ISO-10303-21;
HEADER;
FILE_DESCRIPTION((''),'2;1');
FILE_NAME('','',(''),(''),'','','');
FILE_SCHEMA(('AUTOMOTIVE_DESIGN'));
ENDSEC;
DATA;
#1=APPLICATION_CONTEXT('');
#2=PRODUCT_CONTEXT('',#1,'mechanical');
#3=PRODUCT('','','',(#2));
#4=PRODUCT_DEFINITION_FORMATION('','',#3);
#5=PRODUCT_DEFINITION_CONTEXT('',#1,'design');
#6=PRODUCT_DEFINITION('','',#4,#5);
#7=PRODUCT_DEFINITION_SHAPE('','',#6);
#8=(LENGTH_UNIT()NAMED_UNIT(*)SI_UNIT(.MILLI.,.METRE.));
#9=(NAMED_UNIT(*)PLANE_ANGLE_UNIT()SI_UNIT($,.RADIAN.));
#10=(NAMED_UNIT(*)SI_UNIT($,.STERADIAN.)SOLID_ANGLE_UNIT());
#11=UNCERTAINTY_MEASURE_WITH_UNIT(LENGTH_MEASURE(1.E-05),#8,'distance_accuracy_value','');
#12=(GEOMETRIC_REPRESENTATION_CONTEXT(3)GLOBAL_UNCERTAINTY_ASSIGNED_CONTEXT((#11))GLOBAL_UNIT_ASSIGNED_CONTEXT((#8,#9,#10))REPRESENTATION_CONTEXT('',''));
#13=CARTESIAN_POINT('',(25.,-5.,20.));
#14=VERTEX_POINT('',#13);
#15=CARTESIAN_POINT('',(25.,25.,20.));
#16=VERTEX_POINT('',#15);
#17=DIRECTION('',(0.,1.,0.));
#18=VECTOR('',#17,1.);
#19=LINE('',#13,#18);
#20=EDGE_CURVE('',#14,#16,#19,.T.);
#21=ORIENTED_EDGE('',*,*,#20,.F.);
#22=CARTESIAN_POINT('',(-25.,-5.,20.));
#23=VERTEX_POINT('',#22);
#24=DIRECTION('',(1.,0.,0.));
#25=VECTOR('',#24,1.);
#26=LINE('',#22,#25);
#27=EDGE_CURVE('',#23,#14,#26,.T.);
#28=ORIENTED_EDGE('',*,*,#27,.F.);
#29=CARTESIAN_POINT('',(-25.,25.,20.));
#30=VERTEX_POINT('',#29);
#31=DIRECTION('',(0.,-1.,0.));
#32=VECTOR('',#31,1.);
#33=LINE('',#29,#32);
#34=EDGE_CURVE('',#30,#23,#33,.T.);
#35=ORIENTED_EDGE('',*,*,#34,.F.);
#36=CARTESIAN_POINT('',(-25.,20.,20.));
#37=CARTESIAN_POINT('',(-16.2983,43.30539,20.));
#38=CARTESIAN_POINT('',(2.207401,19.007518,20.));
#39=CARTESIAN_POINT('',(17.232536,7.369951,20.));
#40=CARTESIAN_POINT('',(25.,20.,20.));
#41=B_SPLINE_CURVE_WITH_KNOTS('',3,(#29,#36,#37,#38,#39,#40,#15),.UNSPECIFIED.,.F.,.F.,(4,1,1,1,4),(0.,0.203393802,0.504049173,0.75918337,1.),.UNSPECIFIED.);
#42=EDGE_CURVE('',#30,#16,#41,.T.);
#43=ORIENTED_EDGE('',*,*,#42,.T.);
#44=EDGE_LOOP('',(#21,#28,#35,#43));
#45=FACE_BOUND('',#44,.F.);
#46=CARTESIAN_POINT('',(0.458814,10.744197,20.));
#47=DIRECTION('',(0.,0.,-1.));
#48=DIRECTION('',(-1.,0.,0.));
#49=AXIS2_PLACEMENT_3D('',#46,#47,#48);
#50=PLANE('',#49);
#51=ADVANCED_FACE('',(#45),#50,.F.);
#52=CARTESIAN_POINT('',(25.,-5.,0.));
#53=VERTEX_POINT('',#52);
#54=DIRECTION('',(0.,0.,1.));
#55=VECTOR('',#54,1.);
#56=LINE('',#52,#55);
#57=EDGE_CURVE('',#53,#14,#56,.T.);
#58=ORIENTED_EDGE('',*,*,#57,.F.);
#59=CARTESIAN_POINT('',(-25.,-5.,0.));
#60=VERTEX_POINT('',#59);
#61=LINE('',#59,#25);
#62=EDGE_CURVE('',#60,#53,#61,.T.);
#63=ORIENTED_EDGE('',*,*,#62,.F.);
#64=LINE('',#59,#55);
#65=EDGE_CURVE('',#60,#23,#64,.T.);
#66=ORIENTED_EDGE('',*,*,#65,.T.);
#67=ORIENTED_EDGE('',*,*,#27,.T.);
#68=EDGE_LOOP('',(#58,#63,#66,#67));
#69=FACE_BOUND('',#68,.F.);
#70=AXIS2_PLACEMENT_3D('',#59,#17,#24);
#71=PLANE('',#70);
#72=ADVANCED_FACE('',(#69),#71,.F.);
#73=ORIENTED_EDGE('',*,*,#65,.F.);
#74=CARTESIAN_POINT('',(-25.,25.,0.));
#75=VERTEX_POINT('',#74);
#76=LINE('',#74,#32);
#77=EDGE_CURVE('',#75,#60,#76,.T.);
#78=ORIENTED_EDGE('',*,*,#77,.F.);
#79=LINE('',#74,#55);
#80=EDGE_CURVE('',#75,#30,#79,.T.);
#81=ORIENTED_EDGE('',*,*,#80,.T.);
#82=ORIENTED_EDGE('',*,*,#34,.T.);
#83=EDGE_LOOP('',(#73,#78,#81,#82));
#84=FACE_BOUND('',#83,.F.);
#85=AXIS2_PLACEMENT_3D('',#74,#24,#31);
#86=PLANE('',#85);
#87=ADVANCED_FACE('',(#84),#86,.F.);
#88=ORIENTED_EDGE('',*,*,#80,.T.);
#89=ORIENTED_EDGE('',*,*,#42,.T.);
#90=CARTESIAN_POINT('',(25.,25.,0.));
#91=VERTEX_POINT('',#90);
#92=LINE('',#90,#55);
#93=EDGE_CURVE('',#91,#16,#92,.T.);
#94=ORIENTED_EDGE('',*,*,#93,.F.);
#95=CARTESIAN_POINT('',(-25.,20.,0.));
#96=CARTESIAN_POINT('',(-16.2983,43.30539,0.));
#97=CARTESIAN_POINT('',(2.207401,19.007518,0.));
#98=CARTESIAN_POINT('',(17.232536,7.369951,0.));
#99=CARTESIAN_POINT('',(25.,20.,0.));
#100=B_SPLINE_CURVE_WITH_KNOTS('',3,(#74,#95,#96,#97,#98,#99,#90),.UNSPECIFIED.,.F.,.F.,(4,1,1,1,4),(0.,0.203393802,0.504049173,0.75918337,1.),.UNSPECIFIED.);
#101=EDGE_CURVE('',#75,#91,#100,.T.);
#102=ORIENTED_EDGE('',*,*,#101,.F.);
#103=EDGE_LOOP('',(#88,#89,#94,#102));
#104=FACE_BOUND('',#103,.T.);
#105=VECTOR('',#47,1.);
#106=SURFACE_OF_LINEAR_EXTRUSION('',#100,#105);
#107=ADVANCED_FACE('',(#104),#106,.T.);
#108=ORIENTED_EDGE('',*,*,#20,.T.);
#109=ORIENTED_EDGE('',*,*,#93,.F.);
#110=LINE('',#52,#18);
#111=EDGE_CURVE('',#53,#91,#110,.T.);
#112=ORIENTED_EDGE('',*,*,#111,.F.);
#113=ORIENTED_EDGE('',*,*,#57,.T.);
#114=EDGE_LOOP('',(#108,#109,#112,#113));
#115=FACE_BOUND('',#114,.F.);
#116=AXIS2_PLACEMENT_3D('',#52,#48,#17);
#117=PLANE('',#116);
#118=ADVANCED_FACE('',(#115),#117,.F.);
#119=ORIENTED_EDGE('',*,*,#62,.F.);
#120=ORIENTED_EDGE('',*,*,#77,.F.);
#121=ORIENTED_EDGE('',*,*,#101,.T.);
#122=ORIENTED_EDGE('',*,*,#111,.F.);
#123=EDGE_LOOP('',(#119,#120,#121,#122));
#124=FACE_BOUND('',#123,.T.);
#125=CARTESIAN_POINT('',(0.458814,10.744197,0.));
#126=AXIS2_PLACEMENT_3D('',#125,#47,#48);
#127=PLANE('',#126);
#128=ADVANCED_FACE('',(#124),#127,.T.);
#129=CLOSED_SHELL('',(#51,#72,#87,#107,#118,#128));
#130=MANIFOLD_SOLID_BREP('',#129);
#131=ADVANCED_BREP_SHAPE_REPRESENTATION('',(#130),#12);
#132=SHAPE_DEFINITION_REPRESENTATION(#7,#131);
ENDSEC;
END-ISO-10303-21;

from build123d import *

# Parameters (mm, degrees)
F1_DEPTH = 20


with BuildPart() as f1:
    # F0 (on Top) → F1 (new body)
    with BuildSketch(Plane.XY):
        with BuildLine():
            add(Edge.make_bspline(
                [(-25, 25), (-25, 20), (-16.2982997865, 43.3053899209), (2.2074013798, 19.0075178259), (17.2325362127, 7.3699505786), (25, 20), (25, 25)],
                knots=[0, 0, 0, 0, 0.2033938021, 0.5040491732, 0.7591833701, 1, 1, 1, 1], degree=3))
            Line((-25, 25), (-25, -5))
            Line((-25, -5), (25, -5))
            Line((25, -5), (25, 25))
        make_face()
    extrude(amount=F1_DEPTH)


solid = f1.part
